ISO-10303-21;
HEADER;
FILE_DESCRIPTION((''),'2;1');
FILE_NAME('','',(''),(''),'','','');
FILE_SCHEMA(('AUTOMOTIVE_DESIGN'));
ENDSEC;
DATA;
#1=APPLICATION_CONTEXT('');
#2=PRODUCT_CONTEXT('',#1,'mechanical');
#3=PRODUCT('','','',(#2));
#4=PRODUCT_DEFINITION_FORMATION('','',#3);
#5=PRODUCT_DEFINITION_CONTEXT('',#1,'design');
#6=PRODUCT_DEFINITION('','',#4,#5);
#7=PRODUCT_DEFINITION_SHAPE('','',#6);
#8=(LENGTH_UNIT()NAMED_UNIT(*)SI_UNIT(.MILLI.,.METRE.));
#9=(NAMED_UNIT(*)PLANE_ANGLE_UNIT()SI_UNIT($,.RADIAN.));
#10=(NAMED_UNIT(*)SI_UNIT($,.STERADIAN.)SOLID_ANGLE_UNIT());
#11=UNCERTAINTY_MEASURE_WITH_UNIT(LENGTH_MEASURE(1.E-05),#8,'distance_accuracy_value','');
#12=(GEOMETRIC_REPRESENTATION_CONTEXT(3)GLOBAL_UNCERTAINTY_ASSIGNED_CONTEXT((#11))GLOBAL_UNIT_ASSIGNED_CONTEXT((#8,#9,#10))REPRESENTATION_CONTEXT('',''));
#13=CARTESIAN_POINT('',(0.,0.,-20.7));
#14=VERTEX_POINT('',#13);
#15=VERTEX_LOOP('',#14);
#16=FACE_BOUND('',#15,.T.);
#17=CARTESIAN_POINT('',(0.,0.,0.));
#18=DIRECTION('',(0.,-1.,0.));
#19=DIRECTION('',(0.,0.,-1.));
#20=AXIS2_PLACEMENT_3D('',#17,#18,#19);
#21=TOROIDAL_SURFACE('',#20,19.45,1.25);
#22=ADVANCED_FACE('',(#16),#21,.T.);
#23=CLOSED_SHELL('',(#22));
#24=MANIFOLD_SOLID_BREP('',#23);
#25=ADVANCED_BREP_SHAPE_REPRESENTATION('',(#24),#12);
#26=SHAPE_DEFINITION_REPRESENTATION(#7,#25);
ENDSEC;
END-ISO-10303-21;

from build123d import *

# Parameters (mm, degrees)
SKETCH1_R = 1.25


with BuildPart() as part:
    # Sketch1 → Revolve1 (revolve)
    with BuildSketch(Plane.XY, mode=Mode.PRIVATE) as revolve1_sk:
        with Locations((-19.45, 0)):
            Circle(SKETCH1_R)
    revolve(revolve1_sk.sketch.rotate(Axis((0, 0, 0), (0, 1, 0)), 270), axis=Axis((0, 0, 0), (0, 1, 0)))


solid = part.part
